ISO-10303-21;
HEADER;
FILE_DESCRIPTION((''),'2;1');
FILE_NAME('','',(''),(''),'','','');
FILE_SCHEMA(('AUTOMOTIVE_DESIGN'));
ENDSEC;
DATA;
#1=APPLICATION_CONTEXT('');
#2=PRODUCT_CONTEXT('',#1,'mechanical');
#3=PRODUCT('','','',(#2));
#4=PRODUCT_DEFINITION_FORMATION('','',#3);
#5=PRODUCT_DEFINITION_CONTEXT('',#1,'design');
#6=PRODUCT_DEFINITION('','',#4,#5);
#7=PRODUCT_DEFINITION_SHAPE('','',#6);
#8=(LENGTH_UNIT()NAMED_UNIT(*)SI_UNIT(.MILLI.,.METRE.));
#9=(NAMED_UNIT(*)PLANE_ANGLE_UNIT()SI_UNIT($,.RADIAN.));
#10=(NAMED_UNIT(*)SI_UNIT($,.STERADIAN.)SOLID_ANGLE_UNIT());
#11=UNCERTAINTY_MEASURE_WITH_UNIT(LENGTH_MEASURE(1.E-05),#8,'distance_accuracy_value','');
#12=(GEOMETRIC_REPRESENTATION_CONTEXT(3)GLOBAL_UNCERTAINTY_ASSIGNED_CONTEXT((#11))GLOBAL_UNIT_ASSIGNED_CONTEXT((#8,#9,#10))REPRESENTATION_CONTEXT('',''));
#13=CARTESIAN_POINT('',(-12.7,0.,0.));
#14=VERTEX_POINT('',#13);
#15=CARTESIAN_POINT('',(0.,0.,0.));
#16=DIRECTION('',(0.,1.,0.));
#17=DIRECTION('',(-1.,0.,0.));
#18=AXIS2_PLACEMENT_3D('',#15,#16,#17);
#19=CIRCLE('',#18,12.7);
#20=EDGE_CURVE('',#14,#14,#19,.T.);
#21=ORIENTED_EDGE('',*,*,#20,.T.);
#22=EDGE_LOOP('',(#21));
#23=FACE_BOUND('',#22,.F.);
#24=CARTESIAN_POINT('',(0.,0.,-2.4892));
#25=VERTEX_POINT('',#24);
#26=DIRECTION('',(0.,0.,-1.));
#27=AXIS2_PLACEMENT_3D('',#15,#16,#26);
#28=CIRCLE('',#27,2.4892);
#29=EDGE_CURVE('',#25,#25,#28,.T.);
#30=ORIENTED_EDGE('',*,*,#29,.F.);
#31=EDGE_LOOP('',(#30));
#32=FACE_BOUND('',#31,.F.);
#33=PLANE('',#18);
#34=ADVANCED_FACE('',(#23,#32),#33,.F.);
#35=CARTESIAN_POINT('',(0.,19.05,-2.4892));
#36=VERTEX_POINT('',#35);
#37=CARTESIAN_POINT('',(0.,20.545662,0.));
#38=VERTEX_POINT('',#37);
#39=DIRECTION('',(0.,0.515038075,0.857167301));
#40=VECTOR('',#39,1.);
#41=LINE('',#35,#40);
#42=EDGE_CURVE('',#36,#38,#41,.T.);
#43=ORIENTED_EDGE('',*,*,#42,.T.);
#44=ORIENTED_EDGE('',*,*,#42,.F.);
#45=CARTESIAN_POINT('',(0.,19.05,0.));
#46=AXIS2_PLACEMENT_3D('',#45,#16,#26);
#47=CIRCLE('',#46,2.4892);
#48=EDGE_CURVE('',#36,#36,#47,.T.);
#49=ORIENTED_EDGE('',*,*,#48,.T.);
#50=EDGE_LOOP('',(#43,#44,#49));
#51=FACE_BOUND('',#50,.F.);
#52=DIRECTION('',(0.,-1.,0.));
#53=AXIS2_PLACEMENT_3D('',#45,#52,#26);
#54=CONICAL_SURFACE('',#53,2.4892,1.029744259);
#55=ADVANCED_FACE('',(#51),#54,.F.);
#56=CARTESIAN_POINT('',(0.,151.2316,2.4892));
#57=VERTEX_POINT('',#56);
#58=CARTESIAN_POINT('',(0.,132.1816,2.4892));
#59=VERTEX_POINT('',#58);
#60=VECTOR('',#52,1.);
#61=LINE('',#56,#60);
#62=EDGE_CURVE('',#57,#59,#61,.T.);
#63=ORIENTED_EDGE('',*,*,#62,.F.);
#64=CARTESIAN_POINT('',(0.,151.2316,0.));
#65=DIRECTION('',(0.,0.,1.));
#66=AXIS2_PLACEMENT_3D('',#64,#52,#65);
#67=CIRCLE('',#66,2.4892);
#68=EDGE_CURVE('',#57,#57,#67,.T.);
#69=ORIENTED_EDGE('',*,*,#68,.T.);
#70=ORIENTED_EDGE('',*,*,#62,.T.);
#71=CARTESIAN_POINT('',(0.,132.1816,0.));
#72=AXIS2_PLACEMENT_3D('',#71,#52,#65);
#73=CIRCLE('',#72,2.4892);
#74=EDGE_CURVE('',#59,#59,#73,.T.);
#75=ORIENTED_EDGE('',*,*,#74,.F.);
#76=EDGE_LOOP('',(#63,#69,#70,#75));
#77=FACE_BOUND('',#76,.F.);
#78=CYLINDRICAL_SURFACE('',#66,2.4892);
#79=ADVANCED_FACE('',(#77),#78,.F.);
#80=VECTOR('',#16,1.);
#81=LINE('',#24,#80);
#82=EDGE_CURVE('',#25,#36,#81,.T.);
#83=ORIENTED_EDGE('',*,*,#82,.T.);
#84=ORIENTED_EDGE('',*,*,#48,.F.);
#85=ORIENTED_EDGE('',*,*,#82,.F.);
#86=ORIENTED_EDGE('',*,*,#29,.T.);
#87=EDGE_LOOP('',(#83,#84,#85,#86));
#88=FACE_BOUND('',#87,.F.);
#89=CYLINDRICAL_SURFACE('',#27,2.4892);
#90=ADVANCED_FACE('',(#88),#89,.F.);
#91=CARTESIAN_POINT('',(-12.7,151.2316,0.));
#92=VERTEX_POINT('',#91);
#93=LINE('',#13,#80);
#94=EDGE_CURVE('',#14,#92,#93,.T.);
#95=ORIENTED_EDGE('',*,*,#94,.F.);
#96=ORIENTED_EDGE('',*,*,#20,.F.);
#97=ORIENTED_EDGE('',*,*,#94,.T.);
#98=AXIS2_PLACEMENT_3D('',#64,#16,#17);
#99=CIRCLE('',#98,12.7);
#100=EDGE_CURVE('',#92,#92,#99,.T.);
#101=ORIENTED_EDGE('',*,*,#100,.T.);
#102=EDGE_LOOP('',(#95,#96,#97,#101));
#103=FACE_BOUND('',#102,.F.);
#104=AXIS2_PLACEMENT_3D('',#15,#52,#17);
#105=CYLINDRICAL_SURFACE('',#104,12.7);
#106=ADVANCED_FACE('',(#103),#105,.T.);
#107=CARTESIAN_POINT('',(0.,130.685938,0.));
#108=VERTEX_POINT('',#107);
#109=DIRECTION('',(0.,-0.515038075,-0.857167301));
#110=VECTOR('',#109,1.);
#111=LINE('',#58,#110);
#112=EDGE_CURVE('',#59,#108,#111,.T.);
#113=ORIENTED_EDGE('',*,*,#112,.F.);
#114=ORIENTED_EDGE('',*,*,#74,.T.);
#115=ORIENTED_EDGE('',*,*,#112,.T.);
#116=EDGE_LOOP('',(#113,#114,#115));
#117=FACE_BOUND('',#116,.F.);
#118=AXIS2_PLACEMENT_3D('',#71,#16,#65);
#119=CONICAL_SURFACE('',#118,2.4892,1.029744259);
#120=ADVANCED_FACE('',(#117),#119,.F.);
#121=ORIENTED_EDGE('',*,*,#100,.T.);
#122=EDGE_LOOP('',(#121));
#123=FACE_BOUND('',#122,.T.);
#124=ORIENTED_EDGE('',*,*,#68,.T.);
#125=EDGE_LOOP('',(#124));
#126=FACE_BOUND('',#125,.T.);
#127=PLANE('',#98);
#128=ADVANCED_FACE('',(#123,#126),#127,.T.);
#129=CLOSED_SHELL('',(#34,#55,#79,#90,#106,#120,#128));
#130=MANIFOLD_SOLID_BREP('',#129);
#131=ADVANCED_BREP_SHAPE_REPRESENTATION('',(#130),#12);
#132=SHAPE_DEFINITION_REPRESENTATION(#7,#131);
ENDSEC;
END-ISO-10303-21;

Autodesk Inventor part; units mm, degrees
ref_plane "YZ Plane" through (0, 0, 0) normal (1, 0, 0) x (0, 1, 0)
ref_plane "XZ Plane" through (0, 0, 0) normal (0, 1, 0) x (-1, 0, 0)
ref_plane "XY Plane" through (0, 0, 0) normal (0, 0, 1) x (1, 0, 0)
sketch "Sketch1" plane through (0, 0, 0) normal (0, 1, 0) x (-1, 0, 0)
  circle A0 centre (0, 0) radius 12.7
  dimension "d0" = 25.4
extrude "Extrusion1" add sketch "Sketch1" along normal blind 151.2316
sketch "Sketch3" plane through (0, 151.2316, 0) normal (0, 1, 0) x (1, 0, 0)
  circle A0 centre (0, 0) radius 6.35
  dimension "d11" = 12.7
sketch "Sketch2" plane through (0, 0, 0) normal (0, -1, 0) x (1, 0, 0)
  circle A0 centre (0, 0) radius 3.175
  dimension "d3" = 6.35
hole "Hole1" at (0, 0, 0) direction (0, 1, 0) diameter 4.9784 depth 19.05 tip angle 118 thread size "1/4-20 UNC" class "2B" standard "ANSI Unified Screw Threads"
hole "Hole2" at (0, 151.2316, 0) direction (0, -1, 0) diameter 4.9784 depth 19.05 tip angle 118 thread size "1/4-20 UNC" class "2B" standard "ANSI Unified Screw Threads"
properties part number "feet type 1 part 2" material "Fiber Glass"
